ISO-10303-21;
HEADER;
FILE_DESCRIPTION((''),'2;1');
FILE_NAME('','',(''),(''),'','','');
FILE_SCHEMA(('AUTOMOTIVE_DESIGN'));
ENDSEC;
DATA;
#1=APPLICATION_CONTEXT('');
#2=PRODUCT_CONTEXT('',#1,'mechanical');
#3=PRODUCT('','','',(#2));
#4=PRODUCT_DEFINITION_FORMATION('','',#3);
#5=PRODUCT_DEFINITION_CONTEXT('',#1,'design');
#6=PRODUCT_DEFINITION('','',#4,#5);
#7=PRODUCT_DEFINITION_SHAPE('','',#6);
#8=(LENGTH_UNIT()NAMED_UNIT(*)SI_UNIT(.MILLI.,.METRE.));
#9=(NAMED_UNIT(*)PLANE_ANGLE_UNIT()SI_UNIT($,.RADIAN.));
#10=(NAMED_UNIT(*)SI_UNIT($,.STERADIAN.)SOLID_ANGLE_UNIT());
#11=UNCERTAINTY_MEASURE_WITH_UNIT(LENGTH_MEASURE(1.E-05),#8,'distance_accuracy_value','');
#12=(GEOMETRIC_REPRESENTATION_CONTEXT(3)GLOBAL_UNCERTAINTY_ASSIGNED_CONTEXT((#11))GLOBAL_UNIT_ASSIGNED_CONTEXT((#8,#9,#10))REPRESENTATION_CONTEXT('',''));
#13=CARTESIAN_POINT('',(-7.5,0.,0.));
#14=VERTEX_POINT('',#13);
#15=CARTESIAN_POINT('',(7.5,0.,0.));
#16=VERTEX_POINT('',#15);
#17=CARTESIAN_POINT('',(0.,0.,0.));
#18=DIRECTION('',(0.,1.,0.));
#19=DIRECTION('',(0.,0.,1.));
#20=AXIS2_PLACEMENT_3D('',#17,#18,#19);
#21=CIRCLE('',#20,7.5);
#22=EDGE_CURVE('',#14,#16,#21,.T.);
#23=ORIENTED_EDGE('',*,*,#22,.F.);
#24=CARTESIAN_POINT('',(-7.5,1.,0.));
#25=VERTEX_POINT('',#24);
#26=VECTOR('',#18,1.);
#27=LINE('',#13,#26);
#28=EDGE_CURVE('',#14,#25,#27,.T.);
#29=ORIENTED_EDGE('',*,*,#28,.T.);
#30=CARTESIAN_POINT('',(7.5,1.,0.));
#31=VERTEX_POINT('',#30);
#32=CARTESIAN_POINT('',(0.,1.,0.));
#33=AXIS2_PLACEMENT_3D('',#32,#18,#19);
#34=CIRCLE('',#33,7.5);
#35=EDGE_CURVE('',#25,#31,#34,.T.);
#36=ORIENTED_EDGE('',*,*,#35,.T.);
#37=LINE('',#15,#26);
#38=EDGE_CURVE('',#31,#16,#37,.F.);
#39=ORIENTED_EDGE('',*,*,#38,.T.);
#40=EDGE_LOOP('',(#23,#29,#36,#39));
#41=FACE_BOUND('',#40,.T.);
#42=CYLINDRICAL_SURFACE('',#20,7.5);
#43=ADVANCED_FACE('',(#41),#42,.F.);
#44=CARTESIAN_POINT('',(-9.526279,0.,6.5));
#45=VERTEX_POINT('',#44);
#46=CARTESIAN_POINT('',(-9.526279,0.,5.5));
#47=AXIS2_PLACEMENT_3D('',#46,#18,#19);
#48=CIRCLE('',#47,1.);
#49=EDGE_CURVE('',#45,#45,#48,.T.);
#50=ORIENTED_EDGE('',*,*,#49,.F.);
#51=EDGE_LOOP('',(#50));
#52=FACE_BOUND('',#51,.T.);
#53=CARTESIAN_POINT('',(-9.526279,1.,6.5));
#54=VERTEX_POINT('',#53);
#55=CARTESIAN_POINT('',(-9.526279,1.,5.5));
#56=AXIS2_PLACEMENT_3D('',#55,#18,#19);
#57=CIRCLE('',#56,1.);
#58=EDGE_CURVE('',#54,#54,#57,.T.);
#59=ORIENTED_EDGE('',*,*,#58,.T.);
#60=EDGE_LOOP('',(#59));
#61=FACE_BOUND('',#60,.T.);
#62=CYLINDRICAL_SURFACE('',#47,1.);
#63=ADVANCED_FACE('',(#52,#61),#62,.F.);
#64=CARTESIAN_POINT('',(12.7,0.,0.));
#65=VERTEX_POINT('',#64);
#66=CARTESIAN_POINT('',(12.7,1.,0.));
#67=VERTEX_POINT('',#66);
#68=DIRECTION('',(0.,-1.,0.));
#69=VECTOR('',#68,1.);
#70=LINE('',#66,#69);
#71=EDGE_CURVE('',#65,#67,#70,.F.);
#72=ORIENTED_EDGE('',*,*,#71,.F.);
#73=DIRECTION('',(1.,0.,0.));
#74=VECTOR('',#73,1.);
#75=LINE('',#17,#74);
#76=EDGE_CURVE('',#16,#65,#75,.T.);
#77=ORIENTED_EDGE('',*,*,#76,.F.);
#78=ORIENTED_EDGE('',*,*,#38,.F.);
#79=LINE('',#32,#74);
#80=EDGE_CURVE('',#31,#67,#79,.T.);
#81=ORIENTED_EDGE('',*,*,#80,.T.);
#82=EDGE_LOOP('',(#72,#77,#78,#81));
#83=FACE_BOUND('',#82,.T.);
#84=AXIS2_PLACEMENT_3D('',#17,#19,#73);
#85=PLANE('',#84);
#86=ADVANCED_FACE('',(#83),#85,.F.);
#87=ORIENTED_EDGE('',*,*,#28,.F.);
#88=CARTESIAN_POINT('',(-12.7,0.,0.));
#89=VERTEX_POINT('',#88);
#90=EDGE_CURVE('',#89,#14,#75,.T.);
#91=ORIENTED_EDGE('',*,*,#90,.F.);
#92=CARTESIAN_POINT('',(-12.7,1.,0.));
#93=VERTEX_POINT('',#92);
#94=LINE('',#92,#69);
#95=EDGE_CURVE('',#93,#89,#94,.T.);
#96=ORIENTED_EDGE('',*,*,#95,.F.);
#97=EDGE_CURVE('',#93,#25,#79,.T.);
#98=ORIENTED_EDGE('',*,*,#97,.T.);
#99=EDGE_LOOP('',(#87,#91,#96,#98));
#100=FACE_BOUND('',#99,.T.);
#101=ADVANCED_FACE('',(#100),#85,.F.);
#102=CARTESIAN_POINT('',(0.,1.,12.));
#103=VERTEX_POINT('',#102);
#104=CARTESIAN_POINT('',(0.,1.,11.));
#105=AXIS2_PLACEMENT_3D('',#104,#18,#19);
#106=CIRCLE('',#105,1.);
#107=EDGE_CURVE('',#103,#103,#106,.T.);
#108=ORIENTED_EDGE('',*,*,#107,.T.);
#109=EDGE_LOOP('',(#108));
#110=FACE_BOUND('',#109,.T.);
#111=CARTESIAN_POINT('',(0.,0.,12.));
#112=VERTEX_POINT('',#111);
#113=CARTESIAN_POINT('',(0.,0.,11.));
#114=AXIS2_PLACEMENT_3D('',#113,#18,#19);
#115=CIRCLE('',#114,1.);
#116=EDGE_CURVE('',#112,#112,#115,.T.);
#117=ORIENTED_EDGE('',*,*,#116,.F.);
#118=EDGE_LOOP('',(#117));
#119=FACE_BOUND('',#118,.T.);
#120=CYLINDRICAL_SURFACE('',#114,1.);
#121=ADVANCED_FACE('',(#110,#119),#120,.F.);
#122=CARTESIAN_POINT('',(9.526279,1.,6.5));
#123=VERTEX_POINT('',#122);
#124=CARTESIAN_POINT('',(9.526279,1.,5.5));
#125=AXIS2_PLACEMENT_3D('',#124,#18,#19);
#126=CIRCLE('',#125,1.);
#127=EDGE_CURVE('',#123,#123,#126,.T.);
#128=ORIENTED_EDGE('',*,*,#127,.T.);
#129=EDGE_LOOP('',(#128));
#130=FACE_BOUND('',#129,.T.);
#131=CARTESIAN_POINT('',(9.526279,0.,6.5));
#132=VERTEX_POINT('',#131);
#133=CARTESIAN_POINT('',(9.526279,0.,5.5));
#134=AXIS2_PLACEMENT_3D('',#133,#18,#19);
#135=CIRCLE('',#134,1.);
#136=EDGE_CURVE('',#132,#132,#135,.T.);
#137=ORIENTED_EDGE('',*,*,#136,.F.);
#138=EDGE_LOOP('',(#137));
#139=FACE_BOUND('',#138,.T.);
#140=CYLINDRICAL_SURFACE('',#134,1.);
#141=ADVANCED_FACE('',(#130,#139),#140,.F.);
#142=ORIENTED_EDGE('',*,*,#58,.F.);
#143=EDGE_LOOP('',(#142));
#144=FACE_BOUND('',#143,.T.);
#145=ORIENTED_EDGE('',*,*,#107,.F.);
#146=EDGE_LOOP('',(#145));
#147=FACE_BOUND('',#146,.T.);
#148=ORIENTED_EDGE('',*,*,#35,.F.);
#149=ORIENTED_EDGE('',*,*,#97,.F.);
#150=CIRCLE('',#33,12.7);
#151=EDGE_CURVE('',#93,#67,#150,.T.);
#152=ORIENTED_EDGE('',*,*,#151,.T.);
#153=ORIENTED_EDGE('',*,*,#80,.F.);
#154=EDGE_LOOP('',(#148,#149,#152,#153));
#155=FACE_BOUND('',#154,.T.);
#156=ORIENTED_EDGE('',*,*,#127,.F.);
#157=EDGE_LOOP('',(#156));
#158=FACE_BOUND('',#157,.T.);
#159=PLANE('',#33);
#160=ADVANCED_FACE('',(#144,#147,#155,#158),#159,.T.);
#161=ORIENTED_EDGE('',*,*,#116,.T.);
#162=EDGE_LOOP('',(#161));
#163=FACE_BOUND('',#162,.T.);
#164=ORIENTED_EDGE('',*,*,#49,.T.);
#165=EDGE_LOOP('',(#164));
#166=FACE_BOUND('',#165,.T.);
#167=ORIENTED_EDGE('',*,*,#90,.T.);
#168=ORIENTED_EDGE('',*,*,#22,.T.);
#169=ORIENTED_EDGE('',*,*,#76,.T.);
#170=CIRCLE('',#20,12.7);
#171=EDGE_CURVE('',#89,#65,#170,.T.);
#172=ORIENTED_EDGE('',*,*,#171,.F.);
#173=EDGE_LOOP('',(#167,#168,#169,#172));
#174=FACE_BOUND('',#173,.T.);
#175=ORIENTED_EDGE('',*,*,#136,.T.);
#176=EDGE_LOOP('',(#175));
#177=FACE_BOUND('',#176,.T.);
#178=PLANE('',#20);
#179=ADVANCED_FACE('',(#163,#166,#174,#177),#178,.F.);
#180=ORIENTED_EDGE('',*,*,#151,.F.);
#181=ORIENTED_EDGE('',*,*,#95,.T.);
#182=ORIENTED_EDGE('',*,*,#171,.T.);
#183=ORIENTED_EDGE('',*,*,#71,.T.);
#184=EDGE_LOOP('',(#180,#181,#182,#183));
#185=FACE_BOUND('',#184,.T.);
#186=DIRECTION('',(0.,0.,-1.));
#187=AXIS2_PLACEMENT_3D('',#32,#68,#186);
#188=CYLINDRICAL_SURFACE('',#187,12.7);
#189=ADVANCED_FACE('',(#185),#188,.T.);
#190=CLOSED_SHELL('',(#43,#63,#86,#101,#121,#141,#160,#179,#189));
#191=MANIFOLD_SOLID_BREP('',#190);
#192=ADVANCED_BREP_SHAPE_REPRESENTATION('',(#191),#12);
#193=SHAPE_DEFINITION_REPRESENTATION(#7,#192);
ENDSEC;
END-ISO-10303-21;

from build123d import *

# Parameters (mm, degrees)
SKETCH1_R               = 12.7
BOSS_EXTRUDE1_DEPTH     = 1
CUT_EXTRUDE1_DEPTH      = 18.98832955
CUT_EXTRUDE1_DEPTH_BACK = 18.98832955
SKETCH19_R              = 1
CUT_EXTRUDE2_DEPTH      = 18.98832955
CUT_EXTRUDE2_DEPTH_BACK = 18.98832955
SKETCH20_R              = 7.5
SKETCH21_W              = 65.874202484
SKETCH21_H              = 51.979273979
CUT_EXTRUDE3_DEPTH      = 18.98832955


with BuildPart() as part:
    # Sketch1 → Boss-Extrude1 (new body)
    with BuildSketch(Plane(origin=(0, 0, 0), x_dir=(1, 0, 0), z_dir=(0, 1, 0))):
        with Locations(Location((0, 0, 0), (0, 0, 270))):
            Circle(SKETCH1_R)
    extrude(amount=BOSS_EXTRUDE1_DEPTH)

    # Sketch19 → Cut-Extrude1 (cut, two sides: drawn at the far end of the back side and taken through both)
    with BuildSketch(Plane(origin=(0, 1, 0), x_dir=(1, 0, 0), z_dir=(0, 1, 0)).offset(-CUT_EXTRUDE1_DEPTH_BACK)):
        with Locations(Location((0, 11, 0), (0, 0, 270))):
            Circle(SKETCH19_R)
        with Locations(Location((9.526279442, 5.5, 0), (0, 0, 270))):
            Circle(SKETCH19_R)
        with Locations(Location((9.526279442, -5.5, 0), (0, 0, 270))):
            Circle(SKETCH19_R)
        with Locations(Location((0, -11, 0), (0, 0, 270))):
            Circle(SKETCH19_R)
        with Locations(Location((-9.526279442, -5.5, 0), (0, 0, 270))):
            Circle(SKETCH19_R)
        with Locations(Location((-9.526279442, 5.5, 0), (0, 0, 270))):
            Circle(SKETCH19_R)
    extrude(amount=CUT_EXTRUDE1_DEPTH + CUT_EXTRUDE1_DEPTH_BACK, mode=Mode.SUBTRACT)

    # Sketch20 → Cut-Extrude2 (cut, two sides: drawn at the far end of the back side and taken through both)
    with BuildSketch(Plane(origin=(0, 1, 0), x_dir=(1, 0, 0), z_dir=(0, 1, 0)).offset(-CUT_EXTRUDE2_DEPTH_BACK)):
        with Locations(Location((0, 0, 0), (0, 0, 270))):
            Circle(SKETCH20_R)
    extrude(amount=CUT_EXTRUDE2_DEPTH + CUT_EXTRUDE2_DEPTH_BACK, mode=Mode.SUBTRACT)

    # Sketch21 → Cut-Extrude3 (cut, through all)
    with BuildSketch(Plane.XY):
        with Locations((-3.816154381, 6.321647006)):
            Rectangle(SKETCH21_W, SKETCH21_H)
    extrude(amount=-CUT_EXTRUDE3_DEPTH, mode=Mode.SUBTRACT)


solid = part.part
